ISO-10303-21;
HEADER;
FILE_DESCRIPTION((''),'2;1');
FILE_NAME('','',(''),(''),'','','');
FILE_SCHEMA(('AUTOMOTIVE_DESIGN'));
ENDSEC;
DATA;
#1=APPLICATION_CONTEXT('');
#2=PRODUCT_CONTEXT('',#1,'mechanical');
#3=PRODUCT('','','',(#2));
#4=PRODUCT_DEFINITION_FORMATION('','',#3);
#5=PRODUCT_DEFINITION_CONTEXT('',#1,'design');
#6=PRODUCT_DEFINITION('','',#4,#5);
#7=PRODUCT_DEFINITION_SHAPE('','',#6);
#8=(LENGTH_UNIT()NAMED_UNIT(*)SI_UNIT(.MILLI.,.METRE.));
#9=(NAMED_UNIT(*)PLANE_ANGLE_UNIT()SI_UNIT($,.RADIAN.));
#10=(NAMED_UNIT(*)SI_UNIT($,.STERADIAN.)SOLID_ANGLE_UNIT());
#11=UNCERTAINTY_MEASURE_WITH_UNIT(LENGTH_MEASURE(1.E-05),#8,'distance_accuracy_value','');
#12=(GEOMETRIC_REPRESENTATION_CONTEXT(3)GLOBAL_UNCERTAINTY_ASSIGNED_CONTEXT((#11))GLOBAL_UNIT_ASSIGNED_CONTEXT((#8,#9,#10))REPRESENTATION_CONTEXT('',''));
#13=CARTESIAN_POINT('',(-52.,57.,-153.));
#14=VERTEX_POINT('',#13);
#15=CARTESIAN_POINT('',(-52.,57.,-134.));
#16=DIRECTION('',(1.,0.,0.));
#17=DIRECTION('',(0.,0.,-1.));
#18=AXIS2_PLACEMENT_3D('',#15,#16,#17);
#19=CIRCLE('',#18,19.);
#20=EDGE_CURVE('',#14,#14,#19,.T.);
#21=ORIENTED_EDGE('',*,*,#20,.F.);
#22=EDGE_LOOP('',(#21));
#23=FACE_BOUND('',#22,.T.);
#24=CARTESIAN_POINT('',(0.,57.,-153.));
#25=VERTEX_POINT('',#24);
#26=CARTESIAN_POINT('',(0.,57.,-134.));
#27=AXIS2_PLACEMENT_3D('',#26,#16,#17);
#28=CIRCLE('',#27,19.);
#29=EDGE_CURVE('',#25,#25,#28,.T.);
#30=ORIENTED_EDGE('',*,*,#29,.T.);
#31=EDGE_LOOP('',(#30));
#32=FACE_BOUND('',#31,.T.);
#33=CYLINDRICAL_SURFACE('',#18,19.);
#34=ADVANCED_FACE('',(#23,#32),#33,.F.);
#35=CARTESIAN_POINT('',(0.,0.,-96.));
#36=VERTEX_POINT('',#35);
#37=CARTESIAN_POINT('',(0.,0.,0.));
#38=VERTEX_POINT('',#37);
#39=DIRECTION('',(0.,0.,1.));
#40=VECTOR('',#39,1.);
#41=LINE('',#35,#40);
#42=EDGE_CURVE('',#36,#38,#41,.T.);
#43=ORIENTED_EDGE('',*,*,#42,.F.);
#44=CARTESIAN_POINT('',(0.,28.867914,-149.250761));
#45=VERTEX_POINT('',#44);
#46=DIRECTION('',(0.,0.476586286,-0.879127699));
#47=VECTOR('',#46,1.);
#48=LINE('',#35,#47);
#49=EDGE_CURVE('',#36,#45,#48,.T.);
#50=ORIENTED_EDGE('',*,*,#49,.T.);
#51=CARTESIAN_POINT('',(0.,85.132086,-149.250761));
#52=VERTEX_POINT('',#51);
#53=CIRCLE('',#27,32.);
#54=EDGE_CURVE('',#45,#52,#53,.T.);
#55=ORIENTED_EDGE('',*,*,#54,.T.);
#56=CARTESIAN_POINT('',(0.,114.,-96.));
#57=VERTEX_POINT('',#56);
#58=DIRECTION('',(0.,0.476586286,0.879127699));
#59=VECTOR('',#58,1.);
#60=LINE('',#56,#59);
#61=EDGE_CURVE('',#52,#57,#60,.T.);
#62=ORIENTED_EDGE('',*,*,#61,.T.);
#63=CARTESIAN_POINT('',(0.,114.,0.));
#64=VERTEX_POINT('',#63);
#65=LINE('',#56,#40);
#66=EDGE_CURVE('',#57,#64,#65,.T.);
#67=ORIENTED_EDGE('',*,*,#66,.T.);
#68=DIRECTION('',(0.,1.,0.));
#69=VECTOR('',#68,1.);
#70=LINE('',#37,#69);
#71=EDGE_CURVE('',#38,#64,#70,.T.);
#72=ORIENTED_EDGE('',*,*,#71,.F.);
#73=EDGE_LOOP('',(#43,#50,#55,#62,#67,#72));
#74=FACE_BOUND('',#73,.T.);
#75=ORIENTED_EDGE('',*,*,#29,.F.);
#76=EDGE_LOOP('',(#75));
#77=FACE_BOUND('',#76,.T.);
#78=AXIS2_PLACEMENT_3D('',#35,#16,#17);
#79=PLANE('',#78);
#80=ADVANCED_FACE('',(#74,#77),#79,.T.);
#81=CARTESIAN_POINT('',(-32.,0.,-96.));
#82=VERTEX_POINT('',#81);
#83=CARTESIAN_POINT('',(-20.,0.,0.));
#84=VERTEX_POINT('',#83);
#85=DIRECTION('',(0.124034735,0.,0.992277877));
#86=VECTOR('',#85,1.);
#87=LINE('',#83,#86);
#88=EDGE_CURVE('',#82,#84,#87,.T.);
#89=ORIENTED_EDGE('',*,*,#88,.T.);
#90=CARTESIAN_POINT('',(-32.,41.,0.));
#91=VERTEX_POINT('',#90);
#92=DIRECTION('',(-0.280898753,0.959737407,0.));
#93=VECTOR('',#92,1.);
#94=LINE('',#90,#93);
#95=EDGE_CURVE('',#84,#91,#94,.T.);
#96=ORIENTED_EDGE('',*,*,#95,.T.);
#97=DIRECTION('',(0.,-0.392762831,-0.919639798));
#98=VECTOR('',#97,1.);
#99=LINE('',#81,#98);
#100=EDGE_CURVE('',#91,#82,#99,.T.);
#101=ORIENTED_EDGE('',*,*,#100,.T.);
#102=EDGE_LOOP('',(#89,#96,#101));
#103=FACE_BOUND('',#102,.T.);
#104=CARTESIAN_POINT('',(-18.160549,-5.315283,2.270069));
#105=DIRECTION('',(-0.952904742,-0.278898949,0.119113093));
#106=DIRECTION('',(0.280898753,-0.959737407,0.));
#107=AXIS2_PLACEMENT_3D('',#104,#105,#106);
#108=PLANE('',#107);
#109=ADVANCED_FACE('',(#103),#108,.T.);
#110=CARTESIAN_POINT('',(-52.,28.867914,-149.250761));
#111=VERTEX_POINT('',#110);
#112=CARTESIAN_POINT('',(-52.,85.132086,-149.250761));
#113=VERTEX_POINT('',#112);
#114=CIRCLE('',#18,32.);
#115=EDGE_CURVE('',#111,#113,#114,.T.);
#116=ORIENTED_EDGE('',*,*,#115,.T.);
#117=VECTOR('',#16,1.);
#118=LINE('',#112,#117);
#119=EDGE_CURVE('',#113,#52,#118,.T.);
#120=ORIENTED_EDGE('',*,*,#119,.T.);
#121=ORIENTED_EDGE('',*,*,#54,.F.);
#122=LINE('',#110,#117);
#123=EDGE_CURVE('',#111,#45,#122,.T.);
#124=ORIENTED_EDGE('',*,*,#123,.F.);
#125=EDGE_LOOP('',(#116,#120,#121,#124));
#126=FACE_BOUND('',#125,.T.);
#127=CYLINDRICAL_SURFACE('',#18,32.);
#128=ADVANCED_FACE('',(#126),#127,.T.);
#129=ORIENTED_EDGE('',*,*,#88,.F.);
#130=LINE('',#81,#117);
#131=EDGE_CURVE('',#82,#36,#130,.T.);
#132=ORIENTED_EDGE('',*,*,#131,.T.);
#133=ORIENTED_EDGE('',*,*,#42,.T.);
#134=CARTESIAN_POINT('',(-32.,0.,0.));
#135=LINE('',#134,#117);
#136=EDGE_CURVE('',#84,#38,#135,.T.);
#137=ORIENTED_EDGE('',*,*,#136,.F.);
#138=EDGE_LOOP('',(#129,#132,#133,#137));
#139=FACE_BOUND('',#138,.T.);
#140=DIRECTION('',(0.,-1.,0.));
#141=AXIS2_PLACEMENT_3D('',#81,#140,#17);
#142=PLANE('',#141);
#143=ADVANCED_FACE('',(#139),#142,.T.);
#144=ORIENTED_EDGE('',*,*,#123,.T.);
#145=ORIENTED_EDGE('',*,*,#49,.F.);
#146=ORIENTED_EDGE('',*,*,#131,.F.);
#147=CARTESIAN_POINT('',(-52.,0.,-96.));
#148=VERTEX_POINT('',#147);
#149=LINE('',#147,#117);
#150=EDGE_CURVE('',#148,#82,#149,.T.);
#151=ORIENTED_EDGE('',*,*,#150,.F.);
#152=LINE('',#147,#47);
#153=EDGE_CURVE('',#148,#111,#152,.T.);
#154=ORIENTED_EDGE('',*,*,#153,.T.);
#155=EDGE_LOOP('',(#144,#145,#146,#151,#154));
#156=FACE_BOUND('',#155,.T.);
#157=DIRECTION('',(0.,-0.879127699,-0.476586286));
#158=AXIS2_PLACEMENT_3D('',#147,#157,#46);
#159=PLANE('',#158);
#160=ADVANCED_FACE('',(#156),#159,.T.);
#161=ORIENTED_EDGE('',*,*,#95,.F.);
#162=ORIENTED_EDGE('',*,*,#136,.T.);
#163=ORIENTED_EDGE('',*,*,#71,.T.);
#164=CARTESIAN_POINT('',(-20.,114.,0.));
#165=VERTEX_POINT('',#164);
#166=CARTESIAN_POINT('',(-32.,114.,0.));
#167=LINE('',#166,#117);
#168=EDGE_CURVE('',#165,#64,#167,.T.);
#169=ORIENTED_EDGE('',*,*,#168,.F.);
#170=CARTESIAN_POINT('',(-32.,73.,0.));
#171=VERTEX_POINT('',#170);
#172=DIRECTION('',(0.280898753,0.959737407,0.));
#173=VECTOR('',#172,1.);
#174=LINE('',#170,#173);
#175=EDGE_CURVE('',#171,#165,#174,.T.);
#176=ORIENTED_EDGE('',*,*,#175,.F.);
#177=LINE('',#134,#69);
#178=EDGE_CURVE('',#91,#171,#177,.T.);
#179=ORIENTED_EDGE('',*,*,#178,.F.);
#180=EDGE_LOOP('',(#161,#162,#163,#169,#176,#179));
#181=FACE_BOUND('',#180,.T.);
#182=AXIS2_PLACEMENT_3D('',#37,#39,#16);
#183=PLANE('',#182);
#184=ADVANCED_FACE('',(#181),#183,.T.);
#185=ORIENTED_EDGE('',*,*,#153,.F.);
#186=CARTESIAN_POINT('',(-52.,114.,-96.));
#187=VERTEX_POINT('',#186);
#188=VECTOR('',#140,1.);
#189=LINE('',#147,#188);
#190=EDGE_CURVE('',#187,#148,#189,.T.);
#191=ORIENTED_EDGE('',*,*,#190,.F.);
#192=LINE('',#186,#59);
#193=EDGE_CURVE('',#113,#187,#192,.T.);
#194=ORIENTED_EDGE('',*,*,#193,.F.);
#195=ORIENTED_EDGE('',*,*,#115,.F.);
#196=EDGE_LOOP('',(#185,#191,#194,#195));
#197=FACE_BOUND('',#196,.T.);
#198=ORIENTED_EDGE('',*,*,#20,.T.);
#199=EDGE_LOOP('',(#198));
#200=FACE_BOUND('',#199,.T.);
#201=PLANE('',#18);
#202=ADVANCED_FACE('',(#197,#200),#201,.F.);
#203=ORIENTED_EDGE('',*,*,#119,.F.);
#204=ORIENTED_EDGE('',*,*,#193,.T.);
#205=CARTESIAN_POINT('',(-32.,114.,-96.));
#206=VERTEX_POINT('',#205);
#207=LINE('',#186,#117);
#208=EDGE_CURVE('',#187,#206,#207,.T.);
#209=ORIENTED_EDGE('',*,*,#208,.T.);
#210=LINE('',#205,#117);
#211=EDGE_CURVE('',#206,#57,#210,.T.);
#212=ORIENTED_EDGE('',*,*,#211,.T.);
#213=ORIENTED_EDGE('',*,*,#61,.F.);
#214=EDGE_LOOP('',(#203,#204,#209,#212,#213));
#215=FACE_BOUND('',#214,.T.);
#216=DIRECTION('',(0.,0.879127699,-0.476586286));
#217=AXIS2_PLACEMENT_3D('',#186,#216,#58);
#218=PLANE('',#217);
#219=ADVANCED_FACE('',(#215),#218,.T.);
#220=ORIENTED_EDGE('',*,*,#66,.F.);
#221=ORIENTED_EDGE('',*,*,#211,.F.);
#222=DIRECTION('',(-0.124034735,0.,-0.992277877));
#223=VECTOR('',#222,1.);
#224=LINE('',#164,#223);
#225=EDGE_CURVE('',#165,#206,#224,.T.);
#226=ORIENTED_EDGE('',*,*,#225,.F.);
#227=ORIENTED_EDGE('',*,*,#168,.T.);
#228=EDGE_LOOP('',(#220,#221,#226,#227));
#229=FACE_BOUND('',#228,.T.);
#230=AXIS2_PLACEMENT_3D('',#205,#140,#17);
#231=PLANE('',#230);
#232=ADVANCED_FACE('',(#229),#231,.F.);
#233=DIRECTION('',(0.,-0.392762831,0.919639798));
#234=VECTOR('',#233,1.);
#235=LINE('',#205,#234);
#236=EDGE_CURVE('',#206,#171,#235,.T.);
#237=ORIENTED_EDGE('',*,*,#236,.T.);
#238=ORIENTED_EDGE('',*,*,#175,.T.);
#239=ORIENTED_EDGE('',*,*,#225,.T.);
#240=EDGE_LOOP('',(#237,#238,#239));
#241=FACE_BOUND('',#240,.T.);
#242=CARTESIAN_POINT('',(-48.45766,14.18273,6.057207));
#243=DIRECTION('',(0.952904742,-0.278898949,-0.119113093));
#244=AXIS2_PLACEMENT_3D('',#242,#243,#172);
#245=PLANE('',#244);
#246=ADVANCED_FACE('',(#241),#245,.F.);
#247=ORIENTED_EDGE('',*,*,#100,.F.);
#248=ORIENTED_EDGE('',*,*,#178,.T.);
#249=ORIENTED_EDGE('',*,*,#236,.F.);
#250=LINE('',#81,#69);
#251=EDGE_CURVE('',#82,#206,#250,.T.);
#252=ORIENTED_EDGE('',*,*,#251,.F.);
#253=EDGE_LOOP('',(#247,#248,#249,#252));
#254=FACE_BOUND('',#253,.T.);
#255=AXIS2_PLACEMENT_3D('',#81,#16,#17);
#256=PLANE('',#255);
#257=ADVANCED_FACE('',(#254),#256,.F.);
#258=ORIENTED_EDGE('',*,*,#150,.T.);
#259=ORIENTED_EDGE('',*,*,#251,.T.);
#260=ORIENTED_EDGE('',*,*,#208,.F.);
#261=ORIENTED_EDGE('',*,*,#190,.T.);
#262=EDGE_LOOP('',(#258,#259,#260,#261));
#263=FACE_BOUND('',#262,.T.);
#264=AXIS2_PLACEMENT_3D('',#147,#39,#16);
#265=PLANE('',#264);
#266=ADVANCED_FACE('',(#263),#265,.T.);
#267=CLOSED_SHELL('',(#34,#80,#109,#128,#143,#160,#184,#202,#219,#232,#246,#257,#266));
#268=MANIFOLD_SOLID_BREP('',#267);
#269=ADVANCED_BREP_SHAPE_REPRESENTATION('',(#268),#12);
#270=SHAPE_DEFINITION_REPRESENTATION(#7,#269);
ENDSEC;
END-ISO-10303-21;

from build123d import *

# Parameters (mm, degrees)
SKETCH1_W           = 32
SKETCH1_H           = 114
BOSS_EXTRUDE1_DEPTH = 96
CUT_EXTRUDE1_REACH  = 157.637
CUT_EXTRUDE2_REACH  = 152.756
SKETCH8_R           = 19
BOSS_EXTRUDE2_DEPTH = 52


with BuildPart() as part:
    # Sketch1 → Boss-Extrude1 (new body)
    with BuildSketch(Plane.XY):
        with Locations((-16, 57)):
            Rectangle(SKETCH1_W, SKETCH1_H)
    extrude(amount=-BOSS_EXTRUDE1_DEPTH)

    # Sketch4 → Cut-Extrude1 (cut, up to next)
    with BuildSketch(Plane(origin=(-18.160548949, -5.315282619, 2.270068619), x_dir=(0.11431729078371765, 0.033458719253771, 0.9928806933029609), z_dir=(-0.9529047420591578, -0.27889894889536315, 0.11911309275739475)), mode=Mode.PRIVATE) as cut_extrude1_sk1:
        Polygon((-98.974699862, 8.988760105), (-2.286345816, 48.337993792), (-2.286345816, 5.617975065), align=None)
    cut_extrude1_tool1 = extrude(cut_extrude1_sk1.sketch, amount=CUT_EXTRUDE1_REACH, mode=Mode.PRIVATE) & part.part
    add(cut_extrude1_tool1.solids().sort_by_distance((-28, 13.666667, -32))[0], mode=Mode.SUBTRACT)

    # Sketch3 → Cut-Extrude2 (cut, up to next)
    with BuildSketch(Plane(origin=(-48.457659878, 14.18272972, 6.057207485), x_dir=(0.11431729078371765, -0.033458719253771, 0.9928806933029609), z_dir=(-0.9529047420591578, 0.27889894889536315, 0.11911309275739475)), mode=Mode.PRIVATE) as cut_extrude2_sk1:
        Polygon((-6.100639811, 61.072070607), (-6.100639811, 103.792089334), (-102.788993857, 100.421304294), align=None)
    cut_extrude2_tool1 = extrude(cut_extrude2_sk1.sketch, amount=CUT_EXTRUDE2_REACH, mode=Mode.PRIVATE) & part.part
    add(cut_extrude2_tool1.solids().sort_by_distance((-28, 100.333333, -32))[0], mode=Mode.SUBTRACT)

    # Sketch8 → Boss-Extrude2 (add)
    with BuildSketch(Plane(origin=(0, 0, 0), x_dir=(0, 0, -1), z_dir=(1, 0, 0))):
        with BuildLine():
            Line((96, 114), (149.250761153, 85.132086383))
            ThreePointArc((149.250761153, 85.132086383), (166, 57), (149.250761153, 28.867913617))
            Line((149.250761153, 28.867913617), (96, 0))
            Line((96, 0), (96, 114))
        make_face()
        with Locations((134, 57)):
            Circle(SKETCH8_R, mode=Mode.SUBTRACT)
    extrude(amount=-BOSS_EXTRUDE2_DEPTH)


solid = part.part
